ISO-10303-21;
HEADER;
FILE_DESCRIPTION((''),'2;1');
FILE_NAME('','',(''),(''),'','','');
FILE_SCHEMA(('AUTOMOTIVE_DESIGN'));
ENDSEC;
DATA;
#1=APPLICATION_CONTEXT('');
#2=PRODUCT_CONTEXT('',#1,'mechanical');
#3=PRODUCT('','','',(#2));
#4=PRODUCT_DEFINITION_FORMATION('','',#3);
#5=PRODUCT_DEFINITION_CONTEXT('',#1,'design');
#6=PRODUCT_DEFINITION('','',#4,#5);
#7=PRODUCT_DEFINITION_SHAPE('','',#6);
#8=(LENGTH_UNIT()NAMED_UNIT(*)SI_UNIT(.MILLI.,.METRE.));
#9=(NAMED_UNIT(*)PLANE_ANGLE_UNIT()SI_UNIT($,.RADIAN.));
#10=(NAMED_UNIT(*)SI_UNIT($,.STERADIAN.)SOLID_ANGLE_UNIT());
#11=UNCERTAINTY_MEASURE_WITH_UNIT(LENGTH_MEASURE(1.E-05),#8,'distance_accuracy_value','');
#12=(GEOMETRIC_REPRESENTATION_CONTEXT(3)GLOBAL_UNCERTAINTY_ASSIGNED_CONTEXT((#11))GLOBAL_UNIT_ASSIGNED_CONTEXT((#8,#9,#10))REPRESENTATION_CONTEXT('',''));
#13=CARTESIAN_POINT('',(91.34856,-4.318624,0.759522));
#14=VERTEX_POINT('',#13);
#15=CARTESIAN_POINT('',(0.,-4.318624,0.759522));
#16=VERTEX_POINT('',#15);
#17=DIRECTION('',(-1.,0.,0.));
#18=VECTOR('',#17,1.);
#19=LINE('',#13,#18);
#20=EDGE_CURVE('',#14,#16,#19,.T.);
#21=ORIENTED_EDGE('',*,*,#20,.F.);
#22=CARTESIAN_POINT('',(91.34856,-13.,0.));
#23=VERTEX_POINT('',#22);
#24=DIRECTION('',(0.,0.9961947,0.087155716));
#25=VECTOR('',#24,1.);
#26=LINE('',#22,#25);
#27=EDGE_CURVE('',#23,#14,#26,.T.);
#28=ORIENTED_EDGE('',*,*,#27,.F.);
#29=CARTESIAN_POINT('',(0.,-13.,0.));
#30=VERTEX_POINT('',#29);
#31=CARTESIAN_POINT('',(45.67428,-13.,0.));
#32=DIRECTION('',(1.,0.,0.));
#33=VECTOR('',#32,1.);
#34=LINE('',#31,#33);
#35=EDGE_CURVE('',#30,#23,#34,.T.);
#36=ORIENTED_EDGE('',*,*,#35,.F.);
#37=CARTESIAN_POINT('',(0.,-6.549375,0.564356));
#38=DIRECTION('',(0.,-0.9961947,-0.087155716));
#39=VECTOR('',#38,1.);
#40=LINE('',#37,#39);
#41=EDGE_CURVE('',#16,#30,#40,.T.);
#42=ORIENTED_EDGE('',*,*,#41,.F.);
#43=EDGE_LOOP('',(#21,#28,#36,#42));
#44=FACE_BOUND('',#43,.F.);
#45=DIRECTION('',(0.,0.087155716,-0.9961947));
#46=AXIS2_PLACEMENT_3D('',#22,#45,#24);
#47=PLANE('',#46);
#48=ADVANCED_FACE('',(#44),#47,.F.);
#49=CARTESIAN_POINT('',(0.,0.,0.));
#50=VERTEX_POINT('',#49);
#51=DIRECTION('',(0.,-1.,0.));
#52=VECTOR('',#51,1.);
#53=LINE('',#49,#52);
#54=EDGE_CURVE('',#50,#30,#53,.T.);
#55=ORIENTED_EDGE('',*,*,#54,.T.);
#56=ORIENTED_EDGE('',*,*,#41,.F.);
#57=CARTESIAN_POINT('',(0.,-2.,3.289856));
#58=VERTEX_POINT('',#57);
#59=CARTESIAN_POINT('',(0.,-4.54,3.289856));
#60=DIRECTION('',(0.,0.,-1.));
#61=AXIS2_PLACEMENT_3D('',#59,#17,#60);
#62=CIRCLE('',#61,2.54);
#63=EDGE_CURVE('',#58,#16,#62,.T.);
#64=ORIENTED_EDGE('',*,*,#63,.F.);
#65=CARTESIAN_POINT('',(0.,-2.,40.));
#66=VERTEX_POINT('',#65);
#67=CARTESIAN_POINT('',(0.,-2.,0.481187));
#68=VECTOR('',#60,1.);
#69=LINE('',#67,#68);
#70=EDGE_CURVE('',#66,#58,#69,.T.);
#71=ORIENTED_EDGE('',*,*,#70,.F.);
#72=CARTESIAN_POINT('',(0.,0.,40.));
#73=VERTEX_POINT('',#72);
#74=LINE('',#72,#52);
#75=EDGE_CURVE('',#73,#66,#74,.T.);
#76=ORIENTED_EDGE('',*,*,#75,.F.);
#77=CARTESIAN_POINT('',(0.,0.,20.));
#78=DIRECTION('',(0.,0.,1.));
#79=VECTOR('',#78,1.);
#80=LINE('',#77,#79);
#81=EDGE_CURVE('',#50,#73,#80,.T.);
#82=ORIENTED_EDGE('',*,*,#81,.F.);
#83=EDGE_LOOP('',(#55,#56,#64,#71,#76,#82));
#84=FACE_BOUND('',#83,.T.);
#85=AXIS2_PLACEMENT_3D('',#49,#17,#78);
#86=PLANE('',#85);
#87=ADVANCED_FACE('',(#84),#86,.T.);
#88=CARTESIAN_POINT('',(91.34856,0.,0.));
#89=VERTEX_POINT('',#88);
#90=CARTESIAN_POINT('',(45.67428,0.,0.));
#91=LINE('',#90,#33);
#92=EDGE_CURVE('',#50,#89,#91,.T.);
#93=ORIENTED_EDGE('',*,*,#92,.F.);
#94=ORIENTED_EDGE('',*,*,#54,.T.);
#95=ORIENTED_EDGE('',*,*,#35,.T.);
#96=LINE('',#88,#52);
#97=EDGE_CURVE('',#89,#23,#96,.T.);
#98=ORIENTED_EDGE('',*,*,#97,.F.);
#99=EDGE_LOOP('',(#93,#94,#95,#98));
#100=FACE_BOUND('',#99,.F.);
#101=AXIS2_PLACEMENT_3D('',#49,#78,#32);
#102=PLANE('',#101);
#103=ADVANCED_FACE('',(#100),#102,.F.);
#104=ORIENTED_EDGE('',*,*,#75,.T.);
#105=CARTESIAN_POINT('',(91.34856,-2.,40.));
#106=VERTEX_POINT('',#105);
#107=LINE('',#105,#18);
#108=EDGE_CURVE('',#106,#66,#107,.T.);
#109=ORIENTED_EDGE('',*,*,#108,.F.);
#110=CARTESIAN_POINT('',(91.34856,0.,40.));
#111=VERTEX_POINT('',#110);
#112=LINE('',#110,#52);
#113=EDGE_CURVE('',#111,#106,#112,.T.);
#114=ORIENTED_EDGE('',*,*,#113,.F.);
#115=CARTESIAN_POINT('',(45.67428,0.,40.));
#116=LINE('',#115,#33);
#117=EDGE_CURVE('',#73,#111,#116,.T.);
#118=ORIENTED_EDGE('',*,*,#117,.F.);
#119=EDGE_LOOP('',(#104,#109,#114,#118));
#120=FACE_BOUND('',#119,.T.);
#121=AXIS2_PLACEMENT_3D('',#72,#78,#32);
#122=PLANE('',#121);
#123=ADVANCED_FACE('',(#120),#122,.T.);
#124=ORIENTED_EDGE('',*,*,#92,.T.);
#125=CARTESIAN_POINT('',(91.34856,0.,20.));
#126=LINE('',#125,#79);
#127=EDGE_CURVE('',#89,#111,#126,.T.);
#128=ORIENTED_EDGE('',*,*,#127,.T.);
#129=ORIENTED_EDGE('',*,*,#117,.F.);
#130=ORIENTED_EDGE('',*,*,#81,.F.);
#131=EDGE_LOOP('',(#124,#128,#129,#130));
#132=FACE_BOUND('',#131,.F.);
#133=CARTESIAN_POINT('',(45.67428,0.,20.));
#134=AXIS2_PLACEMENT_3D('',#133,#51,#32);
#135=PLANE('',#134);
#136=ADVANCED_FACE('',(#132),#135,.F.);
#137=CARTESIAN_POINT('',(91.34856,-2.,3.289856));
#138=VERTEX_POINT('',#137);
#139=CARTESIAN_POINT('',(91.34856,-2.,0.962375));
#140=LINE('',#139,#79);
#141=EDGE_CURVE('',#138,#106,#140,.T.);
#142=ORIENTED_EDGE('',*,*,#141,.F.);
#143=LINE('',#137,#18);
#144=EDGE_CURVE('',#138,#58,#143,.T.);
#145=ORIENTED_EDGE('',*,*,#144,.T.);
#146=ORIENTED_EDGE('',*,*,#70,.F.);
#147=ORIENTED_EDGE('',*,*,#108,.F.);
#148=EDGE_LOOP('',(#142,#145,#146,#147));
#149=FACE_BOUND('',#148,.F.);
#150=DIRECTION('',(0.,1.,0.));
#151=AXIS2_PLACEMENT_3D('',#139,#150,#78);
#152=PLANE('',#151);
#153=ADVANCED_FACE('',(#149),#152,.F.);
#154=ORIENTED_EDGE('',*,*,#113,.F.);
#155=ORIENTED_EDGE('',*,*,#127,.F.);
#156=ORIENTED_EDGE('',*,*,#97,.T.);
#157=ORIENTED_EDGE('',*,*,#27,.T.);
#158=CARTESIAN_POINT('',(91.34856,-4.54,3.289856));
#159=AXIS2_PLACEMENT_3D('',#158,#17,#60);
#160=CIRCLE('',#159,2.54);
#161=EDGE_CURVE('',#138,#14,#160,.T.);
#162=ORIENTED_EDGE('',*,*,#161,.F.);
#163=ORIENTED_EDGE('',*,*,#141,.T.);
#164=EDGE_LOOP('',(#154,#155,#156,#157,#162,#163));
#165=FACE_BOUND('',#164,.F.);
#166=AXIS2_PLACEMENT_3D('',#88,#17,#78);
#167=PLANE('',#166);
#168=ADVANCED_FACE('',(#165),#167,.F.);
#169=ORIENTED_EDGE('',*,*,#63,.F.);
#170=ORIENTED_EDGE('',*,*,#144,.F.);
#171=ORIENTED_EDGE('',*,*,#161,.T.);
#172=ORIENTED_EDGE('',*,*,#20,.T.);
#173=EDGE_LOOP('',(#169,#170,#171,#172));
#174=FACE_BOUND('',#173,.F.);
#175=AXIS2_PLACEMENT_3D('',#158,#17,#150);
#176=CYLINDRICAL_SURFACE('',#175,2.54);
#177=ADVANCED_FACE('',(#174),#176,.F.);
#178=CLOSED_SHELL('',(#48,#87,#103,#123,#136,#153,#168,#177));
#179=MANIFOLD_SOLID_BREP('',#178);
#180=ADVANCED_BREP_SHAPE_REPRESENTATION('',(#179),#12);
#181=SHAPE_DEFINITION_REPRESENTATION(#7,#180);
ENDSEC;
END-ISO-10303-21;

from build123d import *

# Parameters (mm, degrees)
F0_W     = 91.34856
F0_H     = 40
F1_DEPTH = 13
F3_DEPTH = 127
F4_R     = 2.54


with BuildPart() as f1:
    # F0 (on Front) → F1 (new body)
    with BuildSketch(Plane.XZ):
        with Locations((45.67428, 20)):
            Rectangle(F0_W, F0_H)
    extrude(amount=F1_DEPTH)

    # F2 (on face) → F3 (cut)
    with BuildSketch(Plane.YZ.offset(91.34856)):
        Polygon((-13, 40), (-13, 0), (-2, 0.962375), (-2, 40), align=None)
    extrude(amount=-F3_DEPTH, mode=Mode.SUBTRACT)

    # F4
    f4_edges = [f1.edges().sort_by_distance(p)[0] for p in [
        (45.67428, -2, 0.962375),
    ]]
    fillet(f4_edges, radius=F4_R)


solid = f1.part
